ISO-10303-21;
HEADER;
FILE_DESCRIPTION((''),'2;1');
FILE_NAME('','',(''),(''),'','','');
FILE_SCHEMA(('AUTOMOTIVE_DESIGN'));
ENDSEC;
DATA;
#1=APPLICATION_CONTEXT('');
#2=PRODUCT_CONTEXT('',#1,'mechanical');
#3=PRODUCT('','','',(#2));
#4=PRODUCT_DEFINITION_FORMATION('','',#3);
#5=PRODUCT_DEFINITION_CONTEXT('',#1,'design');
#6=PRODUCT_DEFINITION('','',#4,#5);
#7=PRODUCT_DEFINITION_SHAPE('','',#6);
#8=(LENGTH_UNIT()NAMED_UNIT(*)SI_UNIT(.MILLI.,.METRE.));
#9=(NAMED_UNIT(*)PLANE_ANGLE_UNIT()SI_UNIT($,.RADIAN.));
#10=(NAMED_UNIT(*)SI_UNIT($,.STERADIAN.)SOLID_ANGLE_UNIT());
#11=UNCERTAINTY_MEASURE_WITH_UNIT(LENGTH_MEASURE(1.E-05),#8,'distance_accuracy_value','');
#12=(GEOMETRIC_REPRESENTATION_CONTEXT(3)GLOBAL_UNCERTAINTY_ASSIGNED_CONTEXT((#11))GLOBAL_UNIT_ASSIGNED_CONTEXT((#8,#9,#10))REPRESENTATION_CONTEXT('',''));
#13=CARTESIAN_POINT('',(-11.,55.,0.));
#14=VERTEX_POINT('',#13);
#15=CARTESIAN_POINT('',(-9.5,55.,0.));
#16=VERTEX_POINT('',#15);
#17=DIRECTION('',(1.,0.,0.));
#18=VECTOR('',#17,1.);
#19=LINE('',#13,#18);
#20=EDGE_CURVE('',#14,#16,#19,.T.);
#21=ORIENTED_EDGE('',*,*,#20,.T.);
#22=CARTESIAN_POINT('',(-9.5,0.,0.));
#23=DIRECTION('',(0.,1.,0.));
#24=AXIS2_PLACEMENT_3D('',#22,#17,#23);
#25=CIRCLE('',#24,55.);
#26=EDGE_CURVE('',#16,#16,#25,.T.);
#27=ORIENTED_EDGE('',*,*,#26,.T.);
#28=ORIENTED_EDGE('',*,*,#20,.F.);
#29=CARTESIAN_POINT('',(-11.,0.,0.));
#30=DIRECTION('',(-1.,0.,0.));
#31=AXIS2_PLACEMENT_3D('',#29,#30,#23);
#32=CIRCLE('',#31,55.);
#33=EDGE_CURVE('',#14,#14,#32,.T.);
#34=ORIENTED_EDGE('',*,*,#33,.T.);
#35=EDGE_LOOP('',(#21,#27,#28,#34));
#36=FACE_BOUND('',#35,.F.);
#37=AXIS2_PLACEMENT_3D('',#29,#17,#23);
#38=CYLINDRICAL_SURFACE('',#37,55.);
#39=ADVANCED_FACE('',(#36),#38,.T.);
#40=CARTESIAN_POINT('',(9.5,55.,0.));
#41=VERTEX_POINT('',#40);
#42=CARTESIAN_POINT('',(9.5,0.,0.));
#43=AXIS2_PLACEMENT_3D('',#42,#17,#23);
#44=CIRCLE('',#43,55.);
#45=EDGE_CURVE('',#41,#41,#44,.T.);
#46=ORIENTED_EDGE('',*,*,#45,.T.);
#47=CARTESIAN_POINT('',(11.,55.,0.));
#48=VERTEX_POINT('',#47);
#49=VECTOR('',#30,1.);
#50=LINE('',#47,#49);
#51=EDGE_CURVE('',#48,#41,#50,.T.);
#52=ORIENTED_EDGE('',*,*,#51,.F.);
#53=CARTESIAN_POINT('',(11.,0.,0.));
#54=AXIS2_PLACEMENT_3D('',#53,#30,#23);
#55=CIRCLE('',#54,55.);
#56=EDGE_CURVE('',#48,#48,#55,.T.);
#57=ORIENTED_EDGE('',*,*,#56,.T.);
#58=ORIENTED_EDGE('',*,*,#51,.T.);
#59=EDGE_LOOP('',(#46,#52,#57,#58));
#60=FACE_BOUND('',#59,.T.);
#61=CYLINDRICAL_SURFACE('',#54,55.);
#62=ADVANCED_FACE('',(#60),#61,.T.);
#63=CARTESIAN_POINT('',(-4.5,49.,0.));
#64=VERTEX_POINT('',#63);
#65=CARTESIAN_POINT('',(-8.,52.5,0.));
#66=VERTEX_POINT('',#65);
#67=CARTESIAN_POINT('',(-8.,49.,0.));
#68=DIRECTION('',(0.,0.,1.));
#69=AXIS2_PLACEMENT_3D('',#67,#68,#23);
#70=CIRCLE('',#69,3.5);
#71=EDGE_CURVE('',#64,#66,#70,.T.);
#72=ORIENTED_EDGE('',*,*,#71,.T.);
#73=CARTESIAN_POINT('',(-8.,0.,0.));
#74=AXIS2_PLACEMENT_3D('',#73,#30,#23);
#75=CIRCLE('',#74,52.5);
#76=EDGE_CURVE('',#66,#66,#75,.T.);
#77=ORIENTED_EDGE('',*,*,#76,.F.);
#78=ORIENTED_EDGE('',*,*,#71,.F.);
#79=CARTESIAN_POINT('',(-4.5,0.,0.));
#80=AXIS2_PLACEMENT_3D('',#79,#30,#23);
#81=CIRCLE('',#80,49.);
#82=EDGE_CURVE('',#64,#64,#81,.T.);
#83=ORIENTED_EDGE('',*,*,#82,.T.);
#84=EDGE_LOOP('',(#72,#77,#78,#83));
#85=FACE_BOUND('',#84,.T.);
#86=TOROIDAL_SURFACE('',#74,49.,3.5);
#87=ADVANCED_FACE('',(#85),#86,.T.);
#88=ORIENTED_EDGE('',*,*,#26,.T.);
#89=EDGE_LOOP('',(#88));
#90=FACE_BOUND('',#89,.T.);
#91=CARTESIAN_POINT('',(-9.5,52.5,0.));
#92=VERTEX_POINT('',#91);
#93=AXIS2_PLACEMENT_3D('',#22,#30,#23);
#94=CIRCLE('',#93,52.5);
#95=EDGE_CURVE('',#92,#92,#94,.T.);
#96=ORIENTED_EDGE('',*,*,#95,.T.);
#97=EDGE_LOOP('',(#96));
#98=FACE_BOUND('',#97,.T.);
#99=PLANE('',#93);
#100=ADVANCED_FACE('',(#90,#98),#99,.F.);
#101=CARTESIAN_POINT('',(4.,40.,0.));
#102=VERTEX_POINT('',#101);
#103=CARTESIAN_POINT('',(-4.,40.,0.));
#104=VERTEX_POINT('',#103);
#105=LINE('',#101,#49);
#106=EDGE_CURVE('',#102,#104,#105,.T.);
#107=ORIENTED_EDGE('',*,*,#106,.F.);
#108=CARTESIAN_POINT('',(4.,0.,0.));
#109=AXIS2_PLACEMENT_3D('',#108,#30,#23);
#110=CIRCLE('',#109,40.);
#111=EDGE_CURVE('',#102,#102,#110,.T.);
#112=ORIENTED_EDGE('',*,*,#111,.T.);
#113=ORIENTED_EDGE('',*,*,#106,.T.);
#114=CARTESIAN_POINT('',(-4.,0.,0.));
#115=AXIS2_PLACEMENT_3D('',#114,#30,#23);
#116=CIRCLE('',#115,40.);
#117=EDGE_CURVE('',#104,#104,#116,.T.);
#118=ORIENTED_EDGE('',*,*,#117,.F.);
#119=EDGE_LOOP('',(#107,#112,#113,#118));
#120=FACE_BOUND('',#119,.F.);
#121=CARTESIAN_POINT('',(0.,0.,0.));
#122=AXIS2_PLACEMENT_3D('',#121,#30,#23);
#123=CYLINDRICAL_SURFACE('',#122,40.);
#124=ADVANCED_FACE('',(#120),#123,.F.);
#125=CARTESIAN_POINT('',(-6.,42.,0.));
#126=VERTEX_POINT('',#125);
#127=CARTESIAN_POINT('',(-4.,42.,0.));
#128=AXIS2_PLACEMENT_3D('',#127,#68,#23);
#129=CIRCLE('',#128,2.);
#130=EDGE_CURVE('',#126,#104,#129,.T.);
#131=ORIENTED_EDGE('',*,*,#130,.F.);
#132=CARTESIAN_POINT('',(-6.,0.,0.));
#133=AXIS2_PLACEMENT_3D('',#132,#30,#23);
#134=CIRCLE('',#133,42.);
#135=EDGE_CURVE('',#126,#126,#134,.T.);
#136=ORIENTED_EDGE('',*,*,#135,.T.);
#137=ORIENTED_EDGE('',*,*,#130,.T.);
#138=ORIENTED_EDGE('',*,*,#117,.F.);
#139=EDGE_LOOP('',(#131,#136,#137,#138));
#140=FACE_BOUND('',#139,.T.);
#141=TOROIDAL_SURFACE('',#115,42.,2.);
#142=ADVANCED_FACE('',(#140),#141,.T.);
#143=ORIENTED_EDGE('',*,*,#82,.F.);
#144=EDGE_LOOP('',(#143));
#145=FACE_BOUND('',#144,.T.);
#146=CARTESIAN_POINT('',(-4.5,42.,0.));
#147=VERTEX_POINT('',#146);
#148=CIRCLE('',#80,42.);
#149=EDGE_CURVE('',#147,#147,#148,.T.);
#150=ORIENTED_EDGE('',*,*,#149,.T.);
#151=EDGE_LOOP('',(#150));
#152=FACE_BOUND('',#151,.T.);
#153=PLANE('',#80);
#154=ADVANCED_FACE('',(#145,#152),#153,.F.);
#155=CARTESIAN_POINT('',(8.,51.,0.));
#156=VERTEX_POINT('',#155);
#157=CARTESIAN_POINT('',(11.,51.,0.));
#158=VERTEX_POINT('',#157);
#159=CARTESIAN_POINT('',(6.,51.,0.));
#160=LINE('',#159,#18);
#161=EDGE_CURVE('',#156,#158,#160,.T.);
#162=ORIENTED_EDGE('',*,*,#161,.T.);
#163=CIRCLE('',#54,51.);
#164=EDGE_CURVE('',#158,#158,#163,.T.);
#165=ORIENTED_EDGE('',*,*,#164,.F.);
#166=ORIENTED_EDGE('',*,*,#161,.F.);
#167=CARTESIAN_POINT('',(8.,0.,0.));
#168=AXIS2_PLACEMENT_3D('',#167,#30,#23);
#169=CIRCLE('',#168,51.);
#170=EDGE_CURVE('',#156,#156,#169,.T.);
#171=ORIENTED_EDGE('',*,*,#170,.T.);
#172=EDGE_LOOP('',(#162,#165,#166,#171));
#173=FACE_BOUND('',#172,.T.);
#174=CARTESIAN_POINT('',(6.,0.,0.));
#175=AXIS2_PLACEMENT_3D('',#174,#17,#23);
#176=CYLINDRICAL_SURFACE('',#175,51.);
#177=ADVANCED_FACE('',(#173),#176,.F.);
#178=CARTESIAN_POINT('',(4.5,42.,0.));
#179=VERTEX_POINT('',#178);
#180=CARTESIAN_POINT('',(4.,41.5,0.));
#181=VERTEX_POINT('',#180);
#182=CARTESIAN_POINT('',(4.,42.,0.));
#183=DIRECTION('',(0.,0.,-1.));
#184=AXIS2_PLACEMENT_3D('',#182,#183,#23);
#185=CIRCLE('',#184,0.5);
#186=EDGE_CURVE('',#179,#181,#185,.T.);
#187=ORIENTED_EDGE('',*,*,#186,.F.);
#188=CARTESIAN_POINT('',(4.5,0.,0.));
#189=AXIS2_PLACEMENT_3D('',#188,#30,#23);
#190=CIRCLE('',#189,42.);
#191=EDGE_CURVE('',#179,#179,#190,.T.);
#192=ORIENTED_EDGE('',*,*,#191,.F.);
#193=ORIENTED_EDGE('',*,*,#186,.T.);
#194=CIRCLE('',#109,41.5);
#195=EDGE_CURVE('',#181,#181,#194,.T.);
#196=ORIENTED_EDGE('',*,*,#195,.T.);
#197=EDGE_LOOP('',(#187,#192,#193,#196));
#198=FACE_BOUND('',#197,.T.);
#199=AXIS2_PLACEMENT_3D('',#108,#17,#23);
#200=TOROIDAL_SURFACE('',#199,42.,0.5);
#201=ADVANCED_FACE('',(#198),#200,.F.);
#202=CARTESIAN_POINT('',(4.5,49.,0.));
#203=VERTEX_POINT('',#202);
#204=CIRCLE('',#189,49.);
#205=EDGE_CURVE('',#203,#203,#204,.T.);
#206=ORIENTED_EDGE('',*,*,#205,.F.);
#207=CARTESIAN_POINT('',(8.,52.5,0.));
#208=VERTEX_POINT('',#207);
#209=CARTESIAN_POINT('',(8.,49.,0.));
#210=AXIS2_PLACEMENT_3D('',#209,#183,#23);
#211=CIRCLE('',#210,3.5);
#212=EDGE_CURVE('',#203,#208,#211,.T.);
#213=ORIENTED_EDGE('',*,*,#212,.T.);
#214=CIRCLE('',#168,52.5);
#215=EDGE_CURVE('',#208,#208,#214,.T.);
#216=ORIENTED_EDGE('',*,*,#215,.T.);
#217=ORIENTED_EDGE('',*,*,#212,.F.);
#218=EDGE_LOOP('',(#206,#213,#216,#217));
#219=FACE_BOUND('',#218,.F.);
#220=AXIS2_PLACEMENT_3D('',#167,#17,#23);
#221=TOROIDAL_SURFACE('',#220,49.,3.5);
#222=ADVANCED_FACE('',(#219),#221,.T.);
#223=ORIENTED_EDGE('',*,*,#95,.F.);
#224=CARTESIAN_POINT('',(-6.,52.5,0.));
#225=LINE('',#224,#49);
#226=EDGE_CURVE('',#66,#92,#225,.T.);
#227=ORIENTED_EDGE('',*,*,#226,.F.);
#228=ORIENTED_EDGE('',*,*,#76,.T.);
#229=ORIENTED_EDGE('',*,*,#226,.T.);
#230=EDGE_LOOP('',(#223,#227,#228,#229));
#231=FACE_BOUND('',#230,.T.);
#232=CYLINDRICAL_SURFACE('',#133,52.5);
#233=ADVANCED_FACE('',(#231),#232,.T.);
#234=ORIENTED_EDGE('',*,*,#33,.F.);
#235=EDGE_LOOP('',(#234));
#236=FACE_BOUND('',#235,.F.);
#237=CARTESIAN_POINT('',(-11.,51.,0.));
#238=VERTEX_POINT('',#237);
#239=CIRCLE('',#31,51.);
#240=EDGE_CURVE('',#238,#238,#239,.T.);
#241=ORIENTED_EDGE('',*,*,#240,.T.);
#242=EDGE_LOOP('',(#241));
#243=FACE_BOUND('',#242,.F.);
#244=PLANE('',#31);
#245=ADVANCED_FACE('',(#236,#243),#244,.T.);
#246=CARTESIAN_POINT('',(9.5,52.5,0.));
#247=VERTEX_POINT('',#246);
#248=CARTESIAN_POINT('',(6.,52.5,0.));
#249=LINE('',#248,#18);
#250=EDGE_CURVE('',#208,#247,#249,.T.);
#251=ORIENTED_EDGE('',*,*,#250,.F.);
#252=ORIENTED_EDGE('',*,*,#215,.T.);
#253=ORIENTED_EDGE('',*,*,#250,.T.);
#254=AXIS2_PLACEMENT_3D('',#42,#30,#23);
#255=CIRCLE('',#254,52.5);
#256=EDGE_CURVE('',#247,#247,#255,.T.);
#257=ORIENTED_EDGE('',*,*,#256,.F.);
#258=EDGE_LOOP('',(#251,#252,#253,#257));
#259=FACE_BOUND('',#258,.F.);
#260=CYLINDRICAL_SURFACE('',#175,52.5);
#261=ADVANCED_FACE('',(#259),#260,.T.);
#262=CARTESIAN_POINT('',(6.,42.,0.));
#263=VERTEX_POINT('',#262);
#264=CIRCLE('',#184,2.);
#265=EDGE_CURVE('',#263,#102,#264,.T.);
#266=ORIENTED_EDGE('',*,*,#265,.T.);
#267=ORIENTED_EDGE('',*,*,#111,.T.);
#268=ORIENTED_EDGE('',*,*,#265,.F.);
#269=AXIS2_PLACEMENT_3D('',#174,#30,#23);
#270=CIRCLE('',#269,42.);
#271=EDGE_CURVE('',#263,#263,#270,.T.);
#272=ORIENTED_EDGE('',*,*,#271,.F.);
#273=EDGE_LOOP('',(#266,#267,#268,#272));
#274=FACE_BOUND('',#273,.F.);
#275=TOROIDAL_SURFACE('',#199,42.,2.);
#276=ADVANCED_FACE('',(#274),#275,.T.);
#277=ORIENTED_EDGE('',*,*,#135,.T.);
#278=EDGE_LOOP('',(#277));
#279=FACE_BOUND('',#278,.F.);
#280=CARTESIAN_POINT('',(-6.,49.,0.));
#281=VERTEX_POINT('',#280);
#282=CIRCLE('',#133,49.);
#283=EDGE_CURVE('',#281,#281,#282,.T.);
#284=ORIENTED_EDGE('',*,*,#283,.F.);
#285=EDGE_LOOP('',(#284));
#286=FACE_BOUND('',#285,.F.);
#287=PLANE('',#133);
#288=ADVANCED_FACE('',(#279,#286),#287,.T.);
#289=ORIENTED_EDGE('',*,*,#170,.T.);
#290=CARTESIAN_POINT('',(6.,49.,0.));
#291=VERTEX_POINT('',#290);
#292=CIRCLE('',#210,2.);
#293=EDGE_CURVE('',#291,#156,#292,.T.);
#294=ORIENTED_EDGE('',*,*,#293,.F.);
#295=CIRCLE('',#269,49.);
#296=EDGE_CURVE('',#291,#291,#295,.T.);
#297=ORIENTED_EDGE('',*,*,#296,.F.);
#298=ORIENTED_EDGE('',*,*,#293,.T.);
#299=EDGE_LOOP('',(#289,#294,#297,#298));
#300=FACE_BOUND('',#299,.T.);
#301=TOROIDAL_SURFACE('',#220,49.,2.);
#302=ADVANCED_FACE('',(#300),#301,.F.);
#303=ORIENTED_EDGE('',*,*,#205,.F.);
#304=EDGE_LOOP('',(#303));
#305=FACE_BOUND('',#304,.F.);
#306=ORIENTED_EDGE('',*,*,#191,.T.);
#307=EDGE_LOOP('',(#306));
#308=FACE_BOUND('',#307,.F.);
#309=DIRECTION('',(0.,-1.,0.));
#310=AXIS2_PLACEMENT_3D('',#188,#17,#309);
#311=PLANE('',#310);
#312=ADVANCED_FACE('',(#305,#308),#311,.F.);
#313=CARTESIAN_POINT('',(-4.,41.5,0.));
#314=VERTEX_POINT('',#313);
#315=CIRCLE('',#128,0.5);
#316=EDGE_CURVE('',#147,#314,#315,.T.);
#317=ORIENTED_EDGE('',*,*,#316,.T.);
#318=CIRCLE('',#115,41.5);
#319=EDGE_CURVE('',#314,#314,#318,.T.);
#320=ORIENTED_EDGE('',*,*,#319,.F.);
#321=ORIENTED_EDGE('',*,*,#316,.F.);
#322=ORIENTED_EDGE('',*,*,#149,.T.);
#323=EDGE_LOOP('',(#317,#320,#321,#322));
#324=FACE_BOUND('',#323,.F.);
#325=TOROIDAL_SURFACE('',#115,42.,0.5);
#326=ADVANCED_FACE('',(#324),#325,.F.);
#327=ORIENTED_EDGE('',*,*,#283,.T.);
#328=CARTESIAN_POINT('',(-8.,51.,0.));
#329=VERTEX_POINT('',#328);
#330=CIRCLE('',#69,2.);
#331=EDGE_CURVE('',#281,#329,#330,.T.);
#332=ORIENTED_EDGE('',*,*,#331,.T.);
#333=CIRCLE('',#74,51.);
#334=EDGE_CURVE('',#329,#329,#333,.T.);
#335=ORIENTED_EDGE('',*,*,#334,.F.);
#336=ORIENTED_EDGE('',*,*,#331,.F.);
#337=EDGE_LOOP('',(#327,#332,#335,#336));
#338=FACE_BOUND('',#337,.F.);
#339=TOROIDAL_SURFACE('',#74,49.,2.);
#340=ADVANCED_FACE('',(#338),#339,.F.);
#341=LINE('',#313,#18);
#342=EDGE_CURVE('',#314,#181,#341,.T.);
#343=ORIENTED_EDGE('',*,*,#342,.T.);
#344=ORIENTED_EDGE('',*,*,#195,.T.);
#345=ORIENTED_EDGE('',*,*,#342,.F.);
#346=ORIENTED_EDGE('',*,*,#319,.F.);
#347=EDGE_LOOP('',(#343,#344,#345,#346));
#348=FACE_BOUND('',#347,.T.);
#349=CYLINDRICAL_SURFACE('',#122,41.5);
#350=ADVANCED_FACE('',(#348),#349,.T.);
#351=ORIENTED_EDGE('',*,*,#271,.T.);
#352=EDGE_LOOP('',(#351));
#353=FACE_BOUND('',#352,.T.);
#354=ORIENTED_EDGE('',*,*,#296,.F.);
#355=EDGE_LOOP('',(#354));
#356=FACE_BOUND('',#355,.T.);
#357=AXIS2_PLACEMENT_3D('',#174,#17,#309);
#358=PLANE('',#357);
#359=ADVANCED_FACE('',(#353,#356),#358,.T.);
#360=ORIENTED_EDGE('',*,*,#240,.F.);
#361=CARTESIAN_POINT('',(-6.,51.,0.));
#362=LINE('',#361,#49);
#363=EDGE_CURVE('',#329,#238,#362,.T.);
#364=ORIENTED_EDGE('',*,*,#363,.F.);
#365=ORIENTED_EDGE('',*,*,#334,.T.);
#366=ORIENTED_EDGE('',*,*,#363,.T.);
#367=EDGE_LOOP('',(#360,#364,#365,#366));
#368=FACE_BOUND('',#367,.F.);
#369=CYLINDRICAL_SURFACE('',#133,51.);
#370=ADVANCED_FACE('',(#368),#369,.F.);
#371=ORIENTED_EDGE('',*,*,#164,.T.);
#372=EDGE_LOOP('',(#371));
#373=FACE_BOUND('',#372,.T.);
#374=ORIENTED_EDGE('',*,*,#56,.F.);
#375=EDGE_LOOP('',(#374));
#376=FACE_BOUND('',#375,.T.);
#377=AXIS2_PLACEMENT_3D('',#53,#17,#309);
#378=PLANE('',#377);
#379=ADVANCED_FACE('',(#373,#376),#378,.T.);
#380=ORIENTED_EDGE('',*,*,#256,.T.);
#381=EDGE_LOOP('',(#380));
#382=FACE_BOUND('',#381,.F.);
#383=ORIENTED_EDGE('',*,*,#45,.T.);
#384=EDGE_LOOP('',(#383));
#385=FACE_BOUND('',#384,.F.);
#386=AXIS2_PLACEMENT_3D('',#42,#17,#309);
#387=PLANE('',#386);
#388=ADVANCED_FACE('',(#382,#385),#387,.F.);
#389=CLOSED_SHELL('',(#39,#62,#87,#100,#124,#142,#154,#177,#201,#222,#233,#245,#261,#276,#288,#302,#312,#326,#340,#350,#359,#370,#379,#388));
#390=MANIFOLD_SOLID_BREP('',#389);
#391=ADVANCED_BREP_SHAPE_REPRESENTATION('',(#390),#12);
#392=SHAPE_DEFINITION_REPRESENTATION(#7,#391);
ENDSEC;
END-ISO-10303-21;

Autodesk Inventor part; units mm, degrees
ref_plane "YZ Plane" through (0, 0, 0) normal (1, 0, 0) x (0, 1, 0)
ref_plane "XZ Plane" through (0, 0, 0) normal (0, 1, 0) x (-1, 0, 0)
ref_plane "XY Plane" through (0, 0, 0) normal (0, 0, 1) x (1, 0, 0)
sketch "Skizze1" plane through (0, 0, 0) normal (0, 0, 1) x (1, 0, 0)
  line L0 (0, 0) -> (-28.0736, 0) construction
  line L1 (-11, 55) -> (0, 55)
  line L2 (0, 55) -> (0, 40)
  line L3 (0, 40) -> (-6, 40)
  line L4 (-6, 40) -> (-6, 51)
  line L5 (-6, 51) -> (-11, 51)
  line L6 (-11, 51) -> (-11, 55)
  line L7 (0, 40) -> (0, 0) construction
  dimension "d4" = 4
  dimension "d5" = 5
  dimension "d6" = 6
  dimension "d7" = 15
  dimension "d8" = 80
revolve "Umdrehung1" add sketch "Skizze1" angle 360 about axis through (0, 0, 0) along (-1, 0, 0)
fillet "Rundung2" radius 2 1 edges at (-6, -51, 0)
fillet "Rundung3" radius 2 1 edges at (-6, -40, 0)
shell "Wandung2" thickness 1.5 removed faces 2 at (0, -49.7558, 1.4416) at (-3.6667, -50.386, 22.0512)
mirror "Spiegeln1" about plane through (0, 55, 0) normal (1, 0, 0)
properties part number "p_stratorCase"
